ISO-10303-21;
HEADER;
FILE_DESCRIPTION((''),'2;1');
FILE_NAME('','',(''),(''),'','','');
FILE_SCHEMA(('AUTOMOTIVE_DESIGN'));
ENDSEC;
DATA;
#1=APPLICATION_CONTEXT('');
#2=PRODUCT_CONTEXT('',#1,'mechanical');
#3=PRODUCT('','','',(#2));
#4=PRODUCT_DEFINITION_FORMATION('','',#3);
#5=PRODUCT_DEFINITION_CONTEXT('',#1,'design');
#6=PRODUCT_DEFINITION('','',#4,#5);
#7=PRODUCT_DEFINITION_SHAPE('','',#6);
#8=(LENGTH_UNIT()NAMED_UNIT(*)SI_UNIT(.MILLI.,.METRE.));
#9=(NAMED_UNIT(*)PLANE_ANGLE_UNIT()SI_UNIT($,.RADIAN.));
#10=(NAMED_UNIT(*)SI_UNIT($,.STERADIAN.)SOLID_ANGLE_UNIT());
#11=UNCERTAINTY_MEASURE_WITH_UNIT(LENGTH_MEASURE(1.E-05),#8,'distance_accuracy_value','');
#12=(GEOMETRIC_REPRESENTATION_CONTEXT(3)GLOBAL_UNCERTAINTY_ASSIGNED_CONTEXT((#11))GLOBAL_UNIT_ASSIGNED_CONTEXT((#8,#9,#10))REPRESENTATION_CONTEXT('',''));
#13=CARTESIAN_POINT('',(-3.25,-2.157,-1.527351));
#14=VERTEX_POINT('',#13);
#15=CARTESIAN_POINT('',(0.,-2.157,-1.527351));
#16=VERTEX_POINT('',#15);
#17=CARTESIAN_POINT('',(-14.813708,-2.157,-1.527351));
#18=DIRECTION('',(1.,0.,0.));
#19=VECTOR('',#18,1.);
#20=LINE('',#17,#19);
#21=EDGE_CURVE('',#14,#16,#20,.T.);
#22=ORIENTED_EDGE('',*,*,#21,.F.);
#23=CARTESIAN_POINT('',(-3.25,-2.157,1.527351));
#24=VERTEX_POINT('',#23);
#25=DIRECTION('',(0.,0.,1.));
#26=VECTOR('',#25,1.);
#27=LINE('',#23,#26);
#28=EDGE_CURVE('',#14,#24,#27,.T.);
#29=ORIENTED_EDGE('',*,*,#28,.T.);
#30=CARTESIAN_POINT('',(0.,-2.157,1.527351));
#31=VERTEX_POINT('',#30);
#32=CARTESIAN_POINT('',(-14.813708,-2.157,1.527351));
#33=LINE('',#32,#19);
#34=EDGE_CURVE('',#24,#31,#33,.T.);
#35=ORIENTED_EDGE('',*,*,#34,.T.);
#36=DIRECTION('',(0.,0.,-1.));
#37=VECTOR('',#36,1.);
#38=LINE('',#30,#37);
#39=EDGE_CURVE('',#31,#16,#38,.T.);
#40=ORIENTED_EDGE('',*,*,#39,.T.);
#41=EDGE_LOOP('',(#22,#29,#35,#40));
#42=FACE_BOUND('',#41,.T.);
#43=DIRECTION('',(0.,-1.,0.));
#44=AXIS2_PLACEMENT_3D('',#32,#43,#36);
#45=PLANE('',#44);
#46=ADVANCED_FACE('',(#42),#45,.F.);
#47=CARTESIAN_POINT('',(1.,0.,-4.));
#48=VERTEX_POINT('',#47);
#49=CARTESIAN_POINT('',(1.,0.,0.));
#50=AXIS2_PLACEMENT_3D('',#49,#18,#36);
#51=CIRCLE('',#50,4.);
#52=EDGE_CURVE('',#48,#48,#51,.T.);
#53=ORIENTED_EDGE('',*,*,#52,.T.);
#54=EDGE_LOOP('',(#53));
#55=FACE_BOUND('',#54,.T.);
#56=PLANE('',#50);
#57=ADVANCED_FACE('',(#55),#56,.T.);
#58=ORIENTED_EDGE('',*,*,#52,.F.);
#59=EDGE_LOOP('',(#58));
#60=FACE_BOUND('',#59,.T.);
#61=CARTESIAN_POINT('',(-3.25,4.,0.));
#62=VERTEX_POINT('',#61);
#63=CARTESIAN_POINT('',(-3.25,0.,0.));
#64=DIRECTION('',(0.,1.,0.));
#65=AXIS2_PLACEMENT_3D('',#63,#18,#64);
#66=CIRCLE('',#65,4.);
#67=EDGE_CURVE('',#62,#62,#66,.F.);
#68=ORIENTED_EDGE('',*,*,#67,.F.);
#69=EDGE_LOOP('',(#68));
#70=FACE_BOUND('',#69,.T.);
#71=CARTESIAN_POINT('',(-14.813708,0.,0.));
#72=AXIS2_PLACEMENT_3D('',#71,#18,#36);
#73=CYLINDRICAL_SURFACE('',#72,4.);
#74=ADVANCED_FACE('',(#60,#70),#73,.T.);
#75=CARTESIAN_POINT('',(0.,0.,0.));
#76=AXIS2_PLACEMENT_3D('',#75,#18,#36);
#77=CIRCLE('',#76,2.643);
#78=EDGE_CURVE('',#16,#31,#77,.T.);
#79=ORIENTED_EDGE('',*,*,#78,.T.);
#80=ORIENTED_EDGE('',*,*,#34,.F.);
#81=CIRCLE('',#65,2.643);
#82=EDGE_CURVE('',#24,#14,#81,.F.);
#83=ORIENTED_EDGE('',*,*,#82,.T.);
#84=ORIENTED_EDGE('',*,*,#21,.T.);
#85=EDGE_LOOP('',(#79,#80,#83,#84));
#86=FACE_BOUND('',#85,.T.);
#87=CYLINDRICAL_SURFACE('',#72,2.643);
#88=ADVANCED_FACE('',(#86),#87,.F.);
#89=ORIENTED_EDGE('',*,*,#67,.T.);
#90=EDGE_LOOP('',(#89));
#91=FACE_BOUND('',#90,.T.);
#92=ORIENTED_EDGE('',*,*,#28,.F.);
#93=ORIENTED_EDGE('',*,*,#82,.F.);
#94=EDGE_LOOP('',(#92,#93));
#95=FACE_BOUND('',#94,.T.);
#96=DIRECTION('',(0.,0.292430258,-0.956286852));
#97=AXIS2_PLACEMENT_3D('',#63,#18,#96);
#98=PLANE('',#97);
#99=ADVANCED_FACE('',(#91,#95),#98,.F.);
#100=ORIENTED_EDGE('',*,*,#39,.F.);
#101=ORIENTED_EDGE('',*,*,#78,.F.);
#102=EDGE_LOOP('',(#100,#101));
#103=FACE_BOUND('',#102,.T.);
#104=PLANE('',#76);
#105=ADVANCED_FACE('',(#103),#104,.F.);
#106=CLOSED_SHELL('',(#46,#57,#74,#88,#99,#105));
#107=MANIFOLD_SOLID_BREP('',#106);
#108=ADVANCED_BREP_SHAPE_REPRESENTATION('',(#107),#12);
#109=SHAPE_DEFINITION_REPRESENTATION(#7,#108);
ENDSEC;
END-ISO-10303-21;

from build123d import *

# Parameters (mm, degrees)
SKETCH1_R           = 4
BOSS_EXTRUDE1_DEPTH = 3.25
SKETCH2_R           = 4
BOSS_EXTRUDE2_DEPTH = 1


with BuildPart() as part:
    # Sketch1 → Boss-Extrude1 (new body)
    with BuildSketch(Plane(origin=(0, 0, 0), x_dir=(0, 0, -1), z_dir=(1, 0, 0))):
        Circle(SKETCH1_R)
        with BuildLine():
            Line((-1.527350647, -2.157), (1.527350647, -2.157))
            ThreePointArc((1.527350647, -2.157), (0, 2.643), (-1.527350647, -2.157))
        make_face(mode=Mode.SUBTRACT)
    extrude(amount=-BOSS_EXTRUDE1_DEPTH)

    # Sketch2 → Boss-Extrude2 (add)
    with BuildSketch(Plane(origin=(0, 0, 0), x_dir=(0, 0, -1), z_dir=(1, 0, 0))):
        Circle(SKETCH2_R)
    extrude(amount=BOSS_EXTRUDE2_DEPTH)


solid = part.part
